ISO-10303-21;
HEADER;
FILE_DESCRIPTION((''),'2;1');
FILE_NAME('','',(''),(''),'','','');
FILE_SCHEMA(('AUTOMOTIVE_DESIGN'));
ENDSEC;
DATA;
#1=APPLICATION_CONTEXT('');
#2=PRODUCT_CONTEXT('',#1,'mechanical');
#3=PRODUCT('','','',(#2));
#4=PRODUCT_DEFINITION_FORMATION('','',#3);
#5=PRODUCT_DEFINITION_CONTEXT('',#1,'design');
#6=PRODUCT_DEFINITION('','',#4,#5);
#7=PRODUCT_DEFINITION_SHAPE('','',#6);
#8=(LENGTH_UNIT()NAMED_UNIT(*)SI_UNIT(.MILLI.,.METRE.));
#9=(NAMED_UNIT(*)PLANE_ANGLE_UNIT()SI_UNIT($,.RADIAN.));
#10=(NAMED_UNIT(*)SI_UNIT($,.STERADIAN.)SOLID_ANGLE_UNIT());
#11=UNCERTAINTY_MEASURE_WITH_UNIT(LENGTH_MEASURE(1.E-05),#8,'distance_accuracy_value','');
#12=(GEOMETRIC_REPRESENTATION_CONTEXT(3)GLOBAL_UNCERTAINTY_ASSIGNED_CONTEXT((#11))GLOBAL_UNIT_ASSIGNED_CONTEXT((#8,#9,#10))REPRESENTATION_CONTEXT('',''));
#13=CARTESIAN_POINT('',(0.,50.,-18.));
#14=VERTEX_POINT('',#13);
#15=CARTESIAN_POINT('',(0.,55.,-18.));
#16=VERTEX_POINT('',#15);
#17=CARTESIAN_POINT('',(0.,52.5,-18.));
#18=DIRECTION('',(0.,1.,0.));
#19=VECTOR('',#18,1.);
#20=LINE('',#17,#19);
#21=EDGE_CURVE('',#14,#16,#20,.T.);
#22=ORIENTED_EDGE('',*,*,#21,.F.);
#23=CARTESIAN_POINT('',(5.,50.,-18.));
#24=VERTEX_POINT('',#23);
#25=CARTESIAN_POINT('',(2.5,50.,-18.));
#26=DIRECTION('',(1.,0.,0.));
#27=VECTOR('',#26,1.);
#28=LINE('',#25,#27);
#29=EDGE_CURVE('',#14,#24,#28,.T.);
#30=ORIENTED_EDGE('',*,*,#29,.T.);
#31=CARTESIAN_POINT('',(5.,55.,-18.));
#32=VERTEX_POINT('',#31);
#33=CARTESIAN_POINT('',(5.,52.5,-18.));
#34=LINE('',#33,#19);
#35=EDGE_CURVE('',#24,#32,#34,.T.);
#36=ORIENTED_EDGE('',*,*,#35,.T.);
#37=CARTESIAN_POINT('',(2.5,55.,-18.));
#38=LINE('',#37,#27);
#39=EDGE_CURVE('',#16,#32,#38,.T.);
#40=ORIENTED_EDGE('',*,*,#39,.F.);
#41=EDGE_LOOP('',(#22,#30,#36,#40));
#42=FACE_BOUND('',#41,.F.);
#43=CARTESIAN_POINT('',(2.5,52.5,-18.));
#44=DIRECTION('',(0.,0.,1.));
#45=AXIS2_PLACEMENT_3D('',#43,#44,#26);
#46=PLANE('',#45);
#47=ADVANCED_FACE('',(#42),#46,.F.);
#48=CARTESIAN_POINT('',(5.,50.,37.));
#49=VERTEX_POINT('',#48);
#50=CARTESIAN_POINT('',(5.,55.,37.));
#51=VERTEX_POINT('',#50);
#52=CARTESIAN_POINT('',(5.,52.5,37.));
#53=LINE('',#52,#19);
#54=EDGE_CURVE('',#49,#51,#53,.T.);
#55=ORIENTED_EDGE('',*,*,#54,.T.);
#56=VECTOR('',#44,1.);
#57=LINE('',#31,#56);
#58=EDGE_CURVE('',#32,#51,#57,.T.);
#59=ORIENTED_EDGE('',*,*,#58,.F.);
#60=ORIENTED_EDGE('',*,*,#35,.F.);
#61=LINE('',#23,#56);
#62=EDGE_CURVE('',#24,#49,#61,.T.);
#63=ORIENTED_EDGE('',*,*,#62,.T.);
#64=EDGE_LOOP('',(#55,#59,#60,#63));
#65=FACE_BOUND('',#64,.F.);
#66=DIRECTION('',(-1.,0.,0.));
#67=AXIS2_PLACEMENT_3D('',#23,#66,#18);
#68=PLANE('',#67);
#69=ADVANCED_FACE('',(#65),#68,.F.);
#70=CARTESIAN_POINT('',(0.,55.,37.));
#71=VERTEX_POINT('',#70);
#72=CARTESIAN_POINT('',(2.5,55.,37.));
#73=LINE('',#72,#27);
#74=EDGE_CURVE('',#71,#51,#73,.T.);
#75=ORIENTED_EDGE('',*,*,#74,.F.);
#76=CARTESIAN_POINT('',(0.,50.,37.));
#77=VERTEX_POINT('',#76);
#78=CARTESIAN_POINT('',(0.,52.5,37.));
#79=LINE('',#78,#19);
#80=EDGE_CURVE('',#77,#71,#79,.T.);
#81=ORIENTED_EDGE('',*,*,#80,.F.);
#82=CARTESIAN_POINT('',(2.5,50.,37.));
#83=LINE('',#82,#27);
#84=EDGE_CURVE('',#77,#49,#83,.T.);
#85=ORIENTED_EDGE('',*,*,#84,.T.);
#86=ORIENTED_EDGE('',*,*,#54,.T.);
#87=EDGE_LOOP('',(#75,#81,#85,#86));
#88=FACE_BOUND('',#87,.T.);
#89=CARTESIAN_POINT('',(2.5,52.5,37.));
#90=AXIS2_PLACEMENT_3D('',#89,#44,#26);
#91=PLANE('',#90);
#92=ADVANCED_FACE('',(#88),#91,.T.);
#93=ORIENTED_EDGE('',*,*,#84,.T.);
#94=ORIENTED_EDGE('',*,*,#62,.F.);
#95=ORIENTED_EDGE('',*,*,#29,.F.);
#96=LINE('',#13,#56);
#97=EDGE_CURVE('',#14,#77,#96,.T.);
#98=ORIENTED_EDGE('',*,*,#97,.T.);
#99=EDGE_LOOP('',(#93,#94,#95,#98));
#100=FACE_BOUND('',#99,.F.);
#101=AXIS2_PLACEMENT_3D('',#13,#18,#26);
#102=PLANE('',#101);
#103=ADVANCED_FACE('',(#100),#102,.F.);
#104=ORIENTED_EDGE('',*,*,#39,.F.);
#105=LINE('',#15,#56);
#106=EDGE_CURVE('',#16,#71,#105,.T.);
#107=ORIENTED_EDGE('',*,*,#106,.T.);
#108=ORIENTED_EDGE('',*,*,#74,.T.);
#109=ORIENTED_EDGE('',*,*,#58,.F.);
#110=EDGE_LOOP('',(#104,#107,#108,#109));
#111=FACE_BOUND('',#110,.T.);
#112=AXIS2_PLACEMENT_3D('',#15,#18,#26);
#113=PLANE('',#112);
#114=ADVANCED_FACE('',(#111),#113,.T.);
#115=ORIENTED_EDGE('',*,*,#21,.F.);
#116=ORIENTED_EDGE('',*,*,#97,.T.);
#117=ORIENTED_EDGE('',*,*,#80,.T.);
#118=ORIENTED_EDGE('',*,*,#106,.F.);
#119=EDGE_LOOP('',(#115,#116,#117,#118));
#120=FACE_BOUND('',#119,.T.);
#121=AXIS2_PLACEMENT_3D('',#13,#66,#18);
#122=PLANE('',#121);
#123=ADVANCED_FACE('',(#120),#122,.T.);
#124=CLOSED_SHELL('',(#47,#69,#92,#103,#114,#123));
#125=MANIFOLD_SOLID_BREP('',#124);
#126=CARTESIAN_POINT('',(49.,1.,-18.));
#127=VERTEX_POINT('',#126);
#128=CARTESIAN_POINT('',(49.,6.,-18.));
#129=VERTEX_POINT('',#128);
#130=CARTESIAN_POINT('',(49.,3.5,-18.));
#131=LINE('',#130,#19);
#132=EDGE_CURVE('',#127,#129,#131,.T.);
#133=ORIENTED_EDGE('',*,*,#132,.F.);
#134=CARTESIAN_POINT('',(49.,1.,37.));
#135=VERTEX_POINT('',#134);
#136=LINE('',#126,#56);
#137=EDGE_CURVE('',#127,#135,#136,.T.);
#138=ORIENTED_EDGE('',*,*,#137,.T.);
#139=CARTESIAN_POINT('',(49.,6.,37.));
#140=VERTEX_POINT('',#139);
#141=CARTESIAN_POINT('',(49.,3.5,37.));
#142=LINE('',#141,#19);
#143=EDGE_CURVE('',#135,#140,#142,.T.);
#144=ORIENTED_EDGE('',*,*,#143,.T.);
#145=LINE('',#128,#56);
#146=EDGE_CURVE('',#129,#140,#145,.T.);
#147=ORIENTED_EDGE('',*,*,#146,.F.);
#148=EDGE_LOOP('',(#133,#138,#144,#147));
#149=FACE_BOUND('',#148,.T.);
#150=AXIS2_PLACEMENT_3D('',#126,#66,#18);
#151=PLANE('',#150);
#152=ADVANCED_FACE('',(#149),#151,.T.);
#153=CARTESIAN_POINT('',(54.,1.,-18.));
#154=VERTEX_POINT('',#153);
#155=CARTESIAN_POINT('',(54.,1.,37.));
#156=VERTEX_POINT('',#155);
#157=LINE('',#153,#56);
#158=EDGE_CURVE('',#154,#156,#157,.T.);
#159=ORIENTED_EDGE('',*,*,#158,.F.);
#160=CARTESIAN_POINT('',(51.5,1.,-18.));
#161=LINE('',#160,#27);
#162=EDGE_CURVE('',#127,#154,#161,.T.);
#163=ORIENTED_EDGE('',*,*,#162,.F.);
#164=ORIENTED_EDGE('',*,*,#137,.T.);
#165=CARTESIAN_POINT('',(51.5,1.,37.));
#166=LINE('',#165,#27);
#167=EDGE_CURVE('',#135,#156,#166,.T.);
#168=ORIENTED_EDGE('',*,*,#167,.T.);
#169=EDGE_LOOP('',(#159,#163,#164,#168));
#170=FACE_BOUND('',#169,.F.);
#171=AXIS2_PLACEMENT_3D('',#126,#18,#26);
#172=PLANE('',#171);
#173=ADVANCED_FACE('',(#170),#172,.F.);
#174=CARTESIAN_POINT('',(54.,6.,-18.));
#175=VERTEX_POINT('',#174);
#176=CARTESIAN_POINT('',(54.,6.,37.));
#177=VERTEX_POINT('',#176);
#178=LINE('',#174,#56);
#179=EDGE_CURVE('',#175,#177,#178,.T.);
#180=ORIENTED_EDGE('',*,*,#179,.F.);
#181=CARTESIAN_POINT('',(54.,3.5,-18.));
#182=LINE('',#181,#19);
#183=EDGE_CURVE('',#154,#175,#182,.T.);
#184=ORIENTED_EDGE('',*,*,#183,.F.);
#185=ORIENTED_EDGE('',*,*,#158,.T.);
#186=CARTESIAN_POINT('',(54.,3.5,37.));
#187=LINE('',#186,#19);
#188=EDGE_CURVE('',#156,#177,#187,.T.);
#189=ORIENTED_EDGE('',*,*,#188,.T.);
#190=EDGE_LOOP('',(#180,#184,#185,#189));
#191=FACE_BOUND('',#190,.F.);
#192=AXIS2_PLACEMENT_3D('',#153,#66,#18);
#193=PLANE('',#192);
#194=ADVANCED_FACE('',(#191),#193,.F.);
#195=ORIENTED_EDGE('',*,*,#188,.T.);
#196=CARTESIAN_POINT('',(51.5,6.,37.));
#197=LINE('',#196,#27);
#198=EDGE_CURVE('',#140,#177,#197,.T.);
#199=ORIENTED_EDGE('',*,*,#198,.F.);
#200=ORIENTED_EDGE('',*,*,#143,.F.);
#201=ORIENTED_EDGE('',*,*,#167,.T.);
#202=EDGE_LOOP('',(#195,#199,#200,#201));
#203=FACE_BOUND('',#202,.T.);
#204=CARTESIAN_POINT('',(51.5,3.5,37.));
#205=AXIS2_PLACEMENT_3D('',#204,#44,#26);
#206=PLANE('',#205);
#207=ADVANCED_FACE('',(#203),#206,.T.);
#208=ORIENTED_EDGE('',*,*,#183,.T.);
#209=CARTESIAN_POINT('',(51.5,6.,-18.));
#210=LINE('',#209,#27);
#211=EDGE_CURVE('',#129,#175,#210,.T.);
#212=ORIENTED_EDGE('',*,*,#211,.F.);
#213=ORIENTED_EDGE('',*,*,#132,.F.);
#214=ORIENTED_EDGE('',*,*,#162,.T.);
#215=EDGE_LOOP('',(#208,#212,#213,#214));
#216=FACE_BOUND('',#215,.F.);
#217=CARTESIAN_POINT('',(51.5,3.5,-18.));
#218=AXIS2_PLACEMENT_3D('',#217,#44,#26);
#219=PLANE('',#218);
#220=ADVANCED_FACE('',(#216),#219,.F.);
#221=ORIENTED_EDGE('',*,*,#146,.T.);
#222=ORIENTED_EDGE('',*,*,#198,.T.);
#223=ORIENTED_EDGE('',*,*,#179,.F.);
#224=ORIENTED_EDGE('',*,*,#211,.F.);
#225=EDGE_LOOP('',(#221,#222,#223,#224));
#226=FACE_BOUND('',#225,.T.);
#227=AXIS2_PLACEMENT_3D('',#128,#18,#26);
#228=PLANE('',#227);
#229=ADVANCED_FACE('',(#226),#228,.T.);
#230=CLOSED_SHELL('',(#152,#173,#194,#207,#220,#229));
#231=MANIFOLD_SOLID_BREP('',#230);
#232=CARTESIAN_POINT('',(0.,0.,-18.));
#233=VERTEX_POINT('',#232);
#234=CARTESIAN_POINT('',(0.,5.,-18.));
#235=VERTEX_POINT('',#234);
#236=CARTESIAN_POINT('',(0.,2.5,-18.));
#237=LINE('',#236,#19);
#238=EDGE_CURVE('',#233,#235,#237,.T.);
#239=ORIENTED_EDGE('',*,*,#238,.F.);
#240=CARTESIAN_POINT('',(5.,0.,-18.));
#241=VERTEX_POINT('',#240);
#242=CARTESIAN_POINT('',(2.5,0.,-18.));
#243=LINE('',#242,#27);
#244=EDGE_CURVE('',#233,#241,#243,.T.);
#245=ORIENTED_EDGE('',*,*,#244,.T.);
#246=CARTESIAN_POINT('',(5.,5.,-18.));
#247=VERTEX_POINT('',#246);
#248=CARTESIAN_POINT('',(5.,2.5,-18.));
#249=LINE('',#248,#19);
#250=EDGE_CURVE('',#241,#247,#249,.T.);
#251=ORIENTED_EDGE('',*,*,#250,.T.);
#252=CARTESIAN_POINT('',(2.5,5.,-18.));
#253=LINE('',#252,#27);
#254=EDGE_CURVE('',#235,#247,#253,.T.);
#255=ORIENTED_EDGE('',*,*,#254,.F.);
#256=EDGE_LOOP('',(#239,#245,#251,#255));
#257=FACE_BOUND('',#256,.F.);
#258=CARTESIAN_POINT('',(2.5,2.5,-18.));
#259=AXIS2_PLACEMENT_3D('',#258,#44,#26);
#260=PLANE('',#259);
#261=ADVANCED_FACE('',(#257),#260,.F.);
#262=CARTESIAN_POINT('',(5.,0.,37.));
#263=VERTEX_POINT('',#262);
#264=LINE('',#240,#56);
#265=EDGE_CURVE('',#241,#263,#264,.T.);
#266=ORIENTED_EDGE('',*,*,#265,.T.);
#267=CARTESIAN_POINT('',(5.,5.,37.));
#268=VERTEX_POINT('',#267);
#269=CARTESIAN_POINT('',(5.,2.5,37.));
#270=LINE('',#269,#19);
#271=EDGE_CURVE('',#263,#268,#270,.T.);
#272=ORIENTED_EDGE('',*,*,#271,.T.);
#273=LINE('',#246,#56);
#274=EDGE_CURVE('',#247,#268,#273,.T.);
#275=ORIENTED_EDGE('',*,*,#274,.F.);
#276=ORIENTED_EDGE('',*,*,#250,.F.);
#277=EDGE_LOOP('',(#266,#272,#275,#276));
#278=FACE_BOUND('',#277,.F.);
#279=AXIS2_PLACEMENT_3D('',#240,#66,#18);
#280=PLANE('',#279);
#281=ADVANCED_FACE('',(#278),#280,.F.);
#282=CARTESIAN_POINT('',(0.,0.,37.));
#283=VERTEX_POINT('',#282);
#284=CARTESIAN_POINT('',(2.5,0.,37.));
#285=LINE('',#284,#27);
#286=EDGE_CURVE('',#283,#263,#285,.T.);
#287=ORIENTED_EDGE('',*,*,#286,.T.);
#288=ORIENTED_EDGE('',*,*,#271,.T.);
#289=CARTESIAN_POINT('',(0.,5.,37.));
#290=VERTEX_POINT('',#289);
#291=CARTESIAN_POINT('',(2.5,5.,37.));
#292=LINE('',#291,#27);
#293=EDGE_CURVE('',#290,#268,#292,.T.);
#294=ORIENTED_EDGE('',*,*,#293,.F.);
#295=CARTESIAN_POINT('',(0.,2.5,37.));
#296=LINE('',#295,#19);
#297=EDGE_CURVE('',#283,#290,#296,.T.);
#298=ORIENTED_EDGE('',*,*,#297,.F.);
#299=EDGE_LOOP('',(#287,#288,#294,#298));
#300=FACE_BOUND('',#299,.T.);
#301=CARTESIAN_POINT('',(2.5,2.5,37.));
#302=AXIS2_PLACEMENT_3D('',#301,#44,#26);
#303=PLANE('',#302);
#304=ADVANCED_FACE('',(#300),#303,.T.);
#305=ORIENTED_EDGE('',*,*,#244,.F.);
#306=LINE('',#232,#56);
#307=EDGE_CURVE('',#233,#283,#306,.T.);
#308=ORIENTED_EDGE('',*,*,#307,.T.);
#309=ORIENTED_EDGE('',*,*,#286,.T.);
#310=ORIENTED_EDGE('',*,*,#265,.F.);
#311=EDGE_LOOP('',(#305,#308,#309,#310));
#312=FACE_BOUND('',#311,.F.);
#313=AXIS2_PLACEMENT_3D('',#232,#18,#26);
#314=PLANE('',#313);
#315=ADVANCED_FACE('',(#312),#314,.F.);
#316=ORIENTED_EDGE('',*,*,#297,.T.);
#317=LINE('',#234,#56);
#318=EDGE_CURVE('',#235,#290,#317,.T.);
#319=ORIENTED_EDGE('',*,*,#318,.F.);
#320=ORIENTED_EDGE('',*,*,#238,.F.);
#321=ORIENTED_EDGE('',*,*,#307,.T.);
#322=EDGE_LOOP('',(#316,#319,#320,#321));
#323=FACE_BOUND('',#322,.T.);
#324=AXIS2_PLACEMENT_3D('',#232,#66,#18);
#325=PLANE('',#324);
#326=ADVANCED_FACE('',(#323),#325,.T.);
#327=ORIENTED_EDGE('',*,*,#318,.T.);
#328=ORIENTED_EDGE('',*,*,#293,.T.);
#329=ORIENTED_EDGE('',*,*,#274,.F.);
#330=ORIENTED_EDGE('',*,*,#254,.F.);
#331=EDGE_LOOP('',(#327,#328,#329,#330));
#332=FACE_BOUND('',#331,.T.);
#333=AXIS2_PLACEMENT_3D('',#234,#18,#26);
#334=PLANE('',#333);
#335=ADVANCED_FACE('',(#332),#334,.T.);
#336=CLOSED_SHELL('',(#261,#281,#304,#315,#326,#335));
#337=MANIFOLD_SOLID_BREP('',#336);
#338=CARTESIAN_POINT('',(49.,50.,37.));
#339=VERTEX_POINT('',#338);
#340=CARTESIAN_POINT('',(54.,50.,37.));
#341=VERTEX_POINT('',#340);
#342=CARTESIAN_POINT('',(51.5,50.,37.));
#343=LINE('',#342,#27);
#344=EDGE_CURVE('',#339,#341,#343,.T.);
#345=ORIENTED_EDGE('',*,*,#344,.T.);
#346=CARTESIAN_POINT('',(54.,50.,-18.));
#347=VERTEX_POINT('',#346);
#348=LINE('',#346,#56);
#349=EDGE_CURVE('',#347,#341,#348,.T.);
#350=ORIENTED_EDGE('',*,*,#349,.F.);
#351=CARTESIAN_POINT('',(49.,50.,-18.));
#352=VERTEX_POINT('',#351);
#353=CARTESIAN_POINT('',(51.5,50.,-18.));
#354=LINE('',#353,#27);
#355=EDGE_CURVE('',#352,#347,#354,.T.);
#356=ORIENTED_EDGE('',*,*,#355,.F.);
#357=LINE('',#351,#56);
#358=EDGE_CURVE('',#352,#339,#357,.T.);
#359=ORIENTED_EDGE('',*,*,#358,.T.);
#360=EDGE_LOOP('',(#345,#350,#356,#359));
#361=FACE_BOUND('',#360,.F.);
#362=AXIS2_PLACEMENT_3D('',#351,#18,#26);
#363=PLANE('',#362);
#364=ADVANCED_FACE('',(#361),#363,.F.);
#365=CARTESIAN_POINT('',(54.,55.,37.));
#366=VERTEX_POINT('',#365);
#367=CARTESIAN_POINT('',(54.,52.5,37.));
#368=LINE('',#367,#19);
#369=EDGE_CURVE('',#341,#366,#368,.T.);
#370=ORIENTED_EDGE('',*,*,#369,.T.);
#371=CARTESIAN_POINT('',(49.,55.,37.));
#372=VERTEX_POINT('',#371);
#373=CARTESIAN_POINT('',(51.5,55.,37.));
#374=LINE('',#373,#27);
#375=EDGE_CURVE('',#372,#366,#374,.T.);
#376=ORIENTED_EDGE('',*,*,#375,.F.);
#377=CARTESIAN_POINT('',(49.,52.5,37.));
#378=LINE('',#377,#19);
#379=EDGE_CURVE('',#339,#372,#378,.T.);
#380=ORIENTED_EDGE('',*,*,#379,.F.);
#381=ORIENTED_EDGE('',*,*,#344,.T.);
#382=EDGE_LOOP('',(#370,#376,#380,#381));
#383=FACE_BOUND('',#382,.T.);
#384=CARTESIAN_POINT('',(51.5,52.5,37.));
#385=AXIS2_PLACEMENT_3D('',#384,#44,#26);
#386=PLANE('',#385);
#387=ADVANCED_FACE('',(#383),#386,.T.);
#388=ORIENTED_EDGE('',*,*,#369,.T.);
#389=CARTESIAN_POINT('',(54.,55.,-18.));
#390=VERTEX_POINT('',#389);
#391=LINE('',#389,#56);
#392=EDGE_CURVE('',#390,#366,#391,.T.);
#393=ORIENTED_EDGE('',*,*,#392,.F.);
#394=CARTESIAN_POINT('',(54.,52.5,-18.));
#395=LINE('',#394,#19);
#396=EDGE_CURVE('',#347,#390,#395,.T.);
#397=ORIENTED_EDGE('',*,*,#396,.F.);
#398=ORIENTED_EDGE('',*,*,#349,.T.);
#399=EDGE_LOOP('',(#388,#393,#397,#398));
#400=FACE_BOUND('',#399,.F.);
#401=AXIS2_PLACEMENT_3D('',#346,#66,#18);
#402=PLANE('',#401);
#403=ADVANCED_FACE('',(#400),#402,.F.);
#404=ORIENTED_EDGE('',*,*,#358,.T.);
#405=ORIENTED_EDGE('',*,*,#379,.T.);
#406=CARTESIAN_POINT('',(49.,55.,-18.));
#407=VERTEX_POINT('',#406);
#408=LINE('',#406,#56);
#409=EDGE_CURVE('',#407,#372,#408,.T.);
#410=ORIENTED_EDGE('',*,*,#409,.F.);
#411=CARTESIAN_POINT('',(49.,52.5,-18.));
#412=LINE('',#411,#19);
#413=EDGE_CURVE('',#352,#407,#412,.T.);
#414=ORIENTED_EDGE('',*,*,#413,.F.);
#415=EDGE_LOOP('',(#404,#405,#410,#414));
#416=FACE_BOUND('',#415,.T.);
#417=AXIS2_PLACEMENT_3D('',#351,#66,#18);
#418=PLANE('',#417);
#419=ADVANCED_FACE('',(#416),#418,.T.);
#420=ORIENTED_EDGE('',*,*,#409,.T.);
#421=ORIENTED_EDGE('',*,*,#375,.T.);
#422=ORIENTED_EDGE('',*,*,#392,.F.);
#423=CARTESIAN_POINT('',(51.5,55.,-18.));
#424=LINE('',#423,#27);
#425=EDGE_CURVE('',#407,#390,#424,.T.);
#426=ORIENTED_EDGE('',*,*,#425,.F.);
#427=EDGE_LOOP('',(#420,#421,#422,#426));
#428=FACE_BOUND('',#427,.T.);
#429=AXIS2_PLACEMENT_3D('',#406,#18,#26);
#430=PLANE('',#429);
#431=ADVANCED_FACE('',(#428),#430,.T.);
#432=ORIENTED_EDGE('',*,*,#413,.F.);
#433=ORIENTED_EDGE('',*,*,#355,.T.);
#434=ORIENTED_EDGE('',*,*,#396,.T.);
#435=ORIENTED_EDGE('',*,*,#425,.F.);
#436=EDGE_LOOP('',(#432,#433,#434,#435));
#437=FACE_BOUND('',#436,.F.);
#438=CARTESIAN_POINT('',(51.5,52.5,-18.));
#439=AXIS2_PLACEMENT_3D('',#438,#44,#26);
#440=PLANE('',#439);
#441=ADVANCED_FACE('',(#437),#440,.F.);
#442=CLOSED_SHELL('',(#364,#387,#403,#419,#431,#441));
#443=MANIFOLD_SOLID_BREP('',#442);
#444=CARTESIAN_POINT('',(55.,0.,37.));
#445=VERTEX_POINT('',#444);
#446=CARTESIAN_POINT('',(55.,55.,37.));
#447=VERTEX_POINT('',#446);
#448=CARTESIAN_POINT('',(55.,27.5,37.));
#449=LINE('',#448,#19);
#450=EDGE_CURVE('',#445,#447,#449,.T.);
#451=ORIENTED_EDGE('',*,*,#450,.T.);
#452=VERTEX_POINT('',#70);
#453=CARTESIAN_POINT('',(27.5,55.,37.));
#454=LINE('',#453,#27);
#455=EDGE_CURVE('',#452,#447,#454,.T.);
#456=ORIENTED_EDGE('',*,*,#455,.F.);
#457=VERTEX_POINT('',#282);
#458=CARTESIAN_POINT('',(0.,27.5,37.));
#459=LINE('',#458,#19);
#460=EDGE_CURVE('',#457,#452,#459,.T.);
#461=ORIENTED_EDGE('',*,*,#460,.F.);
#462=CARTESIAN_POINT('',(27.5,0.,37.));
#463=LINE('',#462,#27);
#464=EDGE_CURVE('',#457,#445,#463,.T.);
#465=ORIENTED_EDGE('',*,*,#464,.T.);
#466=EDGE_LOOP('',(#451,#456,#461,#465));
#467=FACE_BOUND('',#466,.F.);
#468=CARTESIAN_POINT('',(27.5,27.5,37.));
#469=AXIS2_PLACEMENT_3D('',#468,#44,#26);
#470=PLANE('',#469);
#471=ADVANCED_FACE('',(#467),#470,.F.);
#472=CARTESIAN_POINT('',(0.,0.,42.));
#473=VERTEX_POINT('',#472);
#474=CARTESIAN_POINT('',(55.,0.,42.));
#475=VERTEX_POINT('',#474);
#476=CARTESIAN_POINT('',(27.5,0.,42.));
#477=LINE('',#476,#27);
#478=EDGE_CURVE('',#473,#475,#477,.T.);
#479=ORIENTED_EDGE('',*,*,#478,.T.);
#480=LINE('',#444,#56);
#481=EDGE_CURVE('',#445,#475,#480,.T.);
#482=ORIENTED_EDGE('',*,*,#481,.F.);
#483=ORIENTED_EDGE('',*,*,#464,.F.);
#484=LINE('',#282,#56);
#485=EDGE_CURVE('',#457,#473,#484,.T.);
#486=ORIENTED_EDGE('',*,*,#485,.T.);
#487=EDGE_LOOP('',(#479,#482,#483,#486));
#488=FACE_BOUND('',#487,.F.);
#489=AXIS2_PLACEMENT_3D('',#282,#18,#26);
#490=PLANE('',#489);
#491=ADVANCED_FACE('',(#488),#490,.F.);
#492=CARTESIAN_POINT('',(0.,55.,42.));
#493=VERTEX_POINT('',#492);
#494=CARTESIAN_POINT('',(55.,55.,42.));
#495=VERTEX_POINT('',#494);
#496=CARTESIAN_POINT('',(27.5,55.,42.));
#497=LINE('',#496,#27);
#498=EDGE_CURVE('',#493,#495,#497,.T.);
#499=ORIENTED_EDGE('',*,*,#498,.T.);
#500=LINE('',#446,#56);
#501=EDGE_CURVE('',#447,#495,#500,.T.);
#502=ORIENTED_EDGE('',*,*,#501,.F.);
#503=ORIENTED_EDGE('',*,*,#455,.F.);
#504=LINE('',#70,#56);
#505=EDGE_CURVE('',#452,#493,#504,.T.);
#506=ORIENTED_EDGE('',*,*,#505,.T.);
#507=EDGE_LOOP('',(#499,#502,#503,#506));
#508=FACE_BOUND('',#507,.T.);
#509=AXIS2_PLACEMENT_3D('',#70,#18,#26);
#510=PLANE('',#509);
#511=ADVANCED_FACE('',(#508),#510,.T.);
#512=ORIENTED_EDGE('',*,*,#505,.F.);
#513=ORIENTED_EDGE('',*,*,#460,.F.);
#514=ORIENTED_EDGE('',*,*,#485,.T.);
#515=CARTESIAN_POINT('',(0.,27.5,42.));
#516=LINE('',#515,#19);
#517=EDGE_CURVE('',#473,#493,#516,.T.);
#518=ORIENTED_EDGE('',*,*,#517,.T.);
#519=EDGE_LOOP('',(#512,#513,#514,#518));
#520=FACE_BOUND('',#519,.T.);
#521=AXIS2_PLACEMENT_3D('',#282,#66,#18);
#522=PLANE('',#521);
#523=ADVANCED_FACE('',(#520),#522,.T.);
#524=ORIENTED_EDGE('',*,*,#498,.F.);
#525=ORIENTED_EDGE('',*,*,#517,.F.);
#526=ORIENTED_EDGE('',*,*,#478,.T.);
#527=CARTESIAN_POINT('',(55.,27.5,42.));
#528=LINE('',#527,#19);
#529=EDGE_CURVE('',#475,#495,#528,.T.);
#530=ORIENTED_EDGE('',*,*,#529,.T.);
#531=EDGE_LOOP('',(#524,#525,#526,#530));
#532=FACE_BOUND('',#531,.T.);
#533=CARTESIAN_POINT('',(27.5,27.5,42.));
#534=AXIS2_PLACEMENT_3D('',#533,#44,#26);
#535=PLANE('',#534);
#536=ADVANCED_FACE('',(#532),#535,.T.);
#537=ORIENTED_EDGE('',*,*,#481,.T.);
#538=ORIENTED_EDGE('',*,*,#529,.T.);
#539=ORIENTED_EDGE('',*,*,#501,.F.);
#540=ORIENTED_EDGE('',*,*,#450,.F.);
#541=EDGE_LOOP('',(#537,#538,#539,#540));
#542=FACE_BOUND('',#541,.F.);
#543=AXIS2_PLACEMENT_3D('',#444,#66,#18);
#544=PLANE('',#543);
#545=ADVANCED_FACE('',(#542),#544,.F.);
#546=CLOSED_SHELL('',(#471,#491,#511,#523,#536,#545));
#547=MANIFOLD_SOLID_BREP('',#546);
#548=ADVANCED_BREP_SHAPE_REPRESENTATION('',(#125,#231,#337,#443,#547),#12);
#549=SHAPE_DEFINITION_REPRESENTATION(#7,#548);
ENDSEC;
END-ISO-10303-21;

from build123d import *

# Parameters (mm, degrees)
BOX001_W     = 55
BOX001_H     = 55
BOX001_DEPTH = 5
BOX002_W     = 5
BOX002_H     = 5
BOX002_DEPTH = 55
BOX003_W     = 5
BOX003_H     = 5
BOX003_DEPTH = 55
BOX004_W     = 5
BOX004_H     = 5
BOX004_DEPTH = 55
BOX005_W     = 5
BOX005_H     = 5
BOX005_DEPTH = 55


with BuildPart() as caja001:
    # Box001 → Box001 (new body)
    with BuildSketch(Plane.XY.offset(37)):
        with Locations((27.5, 27.5)):
            Rectangle(BOX001_W, BOX001_H)
    extrude(amount=BOX001_DEPTH)


with BuildPart() as caja002:
    # Box002 → Box002 (new body)
    with BuildSketch(Plane.XY.offset(-18)):
        with Locations((2.5, 2.5)):
            Rectangle(BOX002_W, BOX002_H)
    extrude(amount=BOX002_DEPTH)


with BuildPart() as caja003:
    # Box003 → Box003 (new body)
    with BuildSketch(Plane(origin=(49, 1, -18), x_dir=(1, 0, 0), z_dir=(0, 0, 1))):
        with Locations((2.5, 2.5)):
            Rectangle(BOX003_W, BOX003_H)
    extrude(amount=BOX003_DEPTH)


with BuildPart() as caja004:
    # Box004 → Box004 (new body)
    with BuildSketch(Plane(origin=(49, 50, -18), x_dir=(1, 0, 0), z_dir=(0, 0, 1))):
        with Locations((2.5, 2.5)):
            Rectangle(BOX004_W, BOX004_H)
    extrude(amount=BOX004_DEPTH)


with BuildPart() as caja005:
    # Box005 → Box005 (new body)
    with BuildSketch(Plane(origin=(0, 50, -18), x_dir=(1, 0, 0), z_dir=(0, 0, 1))):
        with Locations((2.5, 2.5)):
            Rectangle(BOX005_W, BOX005_H)
    extrude(amount=BOX005_DEPTH)


solid = Compound([caja001.part, caja002.part, caja003.part, caja004.part, caja005.part])
